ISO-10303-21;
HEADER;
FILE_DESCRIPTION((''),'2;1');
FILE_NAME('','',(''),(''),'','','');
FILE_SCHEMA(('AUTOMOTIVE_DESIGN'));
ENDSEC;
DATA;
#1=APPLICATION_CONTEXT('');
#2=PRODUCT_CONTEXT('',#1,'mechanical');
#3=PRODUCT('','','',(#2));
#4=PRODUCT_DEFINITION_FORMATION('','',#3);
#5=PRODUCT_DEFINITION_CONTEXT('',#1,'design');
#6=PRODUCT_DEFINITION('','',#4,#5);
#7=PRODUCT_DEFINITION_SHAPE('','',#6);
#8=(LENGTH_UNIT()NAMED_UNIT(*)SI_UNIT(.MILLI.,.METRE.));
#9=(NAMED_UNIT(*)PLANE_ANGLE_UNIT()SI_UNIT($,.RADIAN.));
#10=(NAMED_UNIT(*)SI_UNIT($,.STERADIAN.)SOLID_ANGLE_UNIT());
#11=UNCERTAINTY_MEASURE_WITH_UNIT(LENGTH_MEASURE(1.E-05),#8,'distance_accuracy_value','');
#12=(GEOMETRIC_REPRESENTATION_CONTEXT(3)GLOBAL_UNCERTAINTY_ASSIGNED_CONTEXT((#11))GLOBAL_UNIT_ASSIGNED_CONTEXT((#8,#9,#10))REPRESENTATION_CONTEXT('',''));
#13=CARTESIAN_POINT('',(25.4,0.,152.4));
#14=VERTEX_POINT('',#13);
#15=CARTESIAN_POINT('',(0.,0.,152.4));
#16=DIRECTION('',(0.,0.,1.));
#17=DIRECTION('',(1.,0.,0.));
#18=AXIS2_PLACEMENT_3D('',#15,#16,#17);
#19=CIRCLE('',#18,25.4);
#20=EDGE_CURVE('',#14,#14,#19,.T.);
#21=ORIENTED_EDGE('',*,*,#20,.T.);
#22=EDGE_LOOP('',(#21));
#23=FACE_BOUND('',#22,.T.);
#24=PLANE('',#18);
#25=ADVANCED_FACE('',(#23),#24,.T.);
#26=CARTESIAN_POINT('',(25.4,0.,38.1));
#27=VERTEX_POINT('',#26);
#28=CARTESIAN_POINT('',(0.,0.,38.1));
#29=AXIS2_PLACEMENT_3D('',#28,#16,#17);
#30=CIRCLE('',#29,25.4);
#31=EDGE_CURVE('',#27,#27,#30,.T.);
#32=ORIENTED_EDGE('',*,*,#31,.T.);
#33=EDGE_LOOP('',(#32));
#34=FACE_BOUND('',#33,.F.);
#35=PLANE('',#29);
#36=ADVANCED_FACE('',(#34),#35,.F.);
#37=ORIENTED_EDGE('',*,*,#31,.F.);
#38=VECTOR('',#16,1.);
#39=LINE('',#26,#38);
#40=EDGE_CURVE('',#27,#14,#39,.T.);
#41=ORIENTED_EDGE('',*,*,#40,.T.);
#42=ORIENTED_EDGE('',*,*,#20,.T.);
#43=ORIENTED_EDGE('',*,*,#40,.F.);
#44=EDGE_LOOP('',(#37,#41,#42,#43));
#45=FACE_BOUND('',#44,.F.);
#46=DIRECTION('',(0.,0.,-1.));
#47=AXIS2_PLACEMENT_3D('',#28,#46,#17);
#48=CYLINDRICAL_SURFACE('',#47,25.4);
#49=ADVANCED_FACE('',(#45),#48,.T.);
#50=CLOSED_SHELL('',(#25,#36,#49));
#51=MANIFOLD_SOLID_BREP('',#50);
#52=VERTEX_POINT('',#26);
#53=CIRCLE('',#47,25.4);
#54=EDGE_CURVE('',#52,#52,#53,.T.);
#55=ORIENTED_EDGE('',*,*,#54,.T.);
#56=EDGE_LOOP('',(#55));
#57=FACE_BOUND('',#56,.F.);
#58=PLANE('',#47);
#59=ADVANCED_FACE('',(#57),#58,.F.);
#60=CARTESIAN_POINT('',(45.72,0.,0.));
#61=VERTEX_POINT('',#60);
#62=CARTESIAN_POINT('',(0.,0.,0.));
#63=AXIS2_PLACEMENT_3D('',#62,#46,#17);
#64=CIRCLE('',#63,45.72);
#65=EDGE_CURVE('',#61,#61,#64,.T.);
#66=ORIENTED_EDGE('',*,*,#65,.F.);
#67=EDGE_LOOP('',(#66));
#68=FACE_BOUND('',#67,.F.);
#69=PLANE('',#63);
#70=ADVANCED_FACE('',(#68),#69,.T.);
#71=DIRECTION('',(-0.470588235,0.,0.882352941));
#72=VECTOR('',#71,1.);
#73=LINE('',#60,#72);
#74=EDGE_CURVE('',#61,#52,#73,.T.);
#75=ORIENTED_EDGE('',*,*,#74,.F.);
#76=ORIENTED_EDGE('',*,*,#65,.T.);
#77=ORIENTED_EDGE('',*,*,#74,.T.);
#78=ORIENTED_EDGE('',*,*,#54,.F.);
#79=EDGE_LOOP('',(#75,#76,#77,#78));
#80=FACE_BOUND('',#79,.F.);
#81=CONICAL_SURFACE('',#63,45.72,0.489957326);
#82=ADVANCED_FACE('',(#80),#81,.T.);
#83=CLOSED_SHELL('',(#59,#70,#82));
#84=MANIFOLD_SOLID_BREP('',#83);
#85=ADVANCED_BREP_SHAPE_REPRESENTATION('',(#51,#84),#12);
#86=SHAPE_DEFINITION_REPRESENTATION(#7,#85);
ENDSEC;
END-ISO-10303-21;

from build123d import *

# Parameters (mm, degrees)
F1_FACE_R = 25.4
F2_DEPTH  = 114.3


with BuildPart() as f1:
    # F0 (on Front) → F1 (revolve)
    with BuildSketch(Plane.XZ):
        Polygon((0, 38.1), (0, 0), (45.72, 0), (25.4, 38.1), align=None)
    revolve(axis=Axis((0, 0, 19.05), (0, 0, -1)))


with BuildPart() as f2:
    # F1_face (on face) → F2 (new body)
    with BuildSketch(Plane.XY.offset(38.1)):
        Circle(F1_FACE_R)
    extrude(amount=F2_DEPTH)


solid = Compound([f1.part, f2.part])
